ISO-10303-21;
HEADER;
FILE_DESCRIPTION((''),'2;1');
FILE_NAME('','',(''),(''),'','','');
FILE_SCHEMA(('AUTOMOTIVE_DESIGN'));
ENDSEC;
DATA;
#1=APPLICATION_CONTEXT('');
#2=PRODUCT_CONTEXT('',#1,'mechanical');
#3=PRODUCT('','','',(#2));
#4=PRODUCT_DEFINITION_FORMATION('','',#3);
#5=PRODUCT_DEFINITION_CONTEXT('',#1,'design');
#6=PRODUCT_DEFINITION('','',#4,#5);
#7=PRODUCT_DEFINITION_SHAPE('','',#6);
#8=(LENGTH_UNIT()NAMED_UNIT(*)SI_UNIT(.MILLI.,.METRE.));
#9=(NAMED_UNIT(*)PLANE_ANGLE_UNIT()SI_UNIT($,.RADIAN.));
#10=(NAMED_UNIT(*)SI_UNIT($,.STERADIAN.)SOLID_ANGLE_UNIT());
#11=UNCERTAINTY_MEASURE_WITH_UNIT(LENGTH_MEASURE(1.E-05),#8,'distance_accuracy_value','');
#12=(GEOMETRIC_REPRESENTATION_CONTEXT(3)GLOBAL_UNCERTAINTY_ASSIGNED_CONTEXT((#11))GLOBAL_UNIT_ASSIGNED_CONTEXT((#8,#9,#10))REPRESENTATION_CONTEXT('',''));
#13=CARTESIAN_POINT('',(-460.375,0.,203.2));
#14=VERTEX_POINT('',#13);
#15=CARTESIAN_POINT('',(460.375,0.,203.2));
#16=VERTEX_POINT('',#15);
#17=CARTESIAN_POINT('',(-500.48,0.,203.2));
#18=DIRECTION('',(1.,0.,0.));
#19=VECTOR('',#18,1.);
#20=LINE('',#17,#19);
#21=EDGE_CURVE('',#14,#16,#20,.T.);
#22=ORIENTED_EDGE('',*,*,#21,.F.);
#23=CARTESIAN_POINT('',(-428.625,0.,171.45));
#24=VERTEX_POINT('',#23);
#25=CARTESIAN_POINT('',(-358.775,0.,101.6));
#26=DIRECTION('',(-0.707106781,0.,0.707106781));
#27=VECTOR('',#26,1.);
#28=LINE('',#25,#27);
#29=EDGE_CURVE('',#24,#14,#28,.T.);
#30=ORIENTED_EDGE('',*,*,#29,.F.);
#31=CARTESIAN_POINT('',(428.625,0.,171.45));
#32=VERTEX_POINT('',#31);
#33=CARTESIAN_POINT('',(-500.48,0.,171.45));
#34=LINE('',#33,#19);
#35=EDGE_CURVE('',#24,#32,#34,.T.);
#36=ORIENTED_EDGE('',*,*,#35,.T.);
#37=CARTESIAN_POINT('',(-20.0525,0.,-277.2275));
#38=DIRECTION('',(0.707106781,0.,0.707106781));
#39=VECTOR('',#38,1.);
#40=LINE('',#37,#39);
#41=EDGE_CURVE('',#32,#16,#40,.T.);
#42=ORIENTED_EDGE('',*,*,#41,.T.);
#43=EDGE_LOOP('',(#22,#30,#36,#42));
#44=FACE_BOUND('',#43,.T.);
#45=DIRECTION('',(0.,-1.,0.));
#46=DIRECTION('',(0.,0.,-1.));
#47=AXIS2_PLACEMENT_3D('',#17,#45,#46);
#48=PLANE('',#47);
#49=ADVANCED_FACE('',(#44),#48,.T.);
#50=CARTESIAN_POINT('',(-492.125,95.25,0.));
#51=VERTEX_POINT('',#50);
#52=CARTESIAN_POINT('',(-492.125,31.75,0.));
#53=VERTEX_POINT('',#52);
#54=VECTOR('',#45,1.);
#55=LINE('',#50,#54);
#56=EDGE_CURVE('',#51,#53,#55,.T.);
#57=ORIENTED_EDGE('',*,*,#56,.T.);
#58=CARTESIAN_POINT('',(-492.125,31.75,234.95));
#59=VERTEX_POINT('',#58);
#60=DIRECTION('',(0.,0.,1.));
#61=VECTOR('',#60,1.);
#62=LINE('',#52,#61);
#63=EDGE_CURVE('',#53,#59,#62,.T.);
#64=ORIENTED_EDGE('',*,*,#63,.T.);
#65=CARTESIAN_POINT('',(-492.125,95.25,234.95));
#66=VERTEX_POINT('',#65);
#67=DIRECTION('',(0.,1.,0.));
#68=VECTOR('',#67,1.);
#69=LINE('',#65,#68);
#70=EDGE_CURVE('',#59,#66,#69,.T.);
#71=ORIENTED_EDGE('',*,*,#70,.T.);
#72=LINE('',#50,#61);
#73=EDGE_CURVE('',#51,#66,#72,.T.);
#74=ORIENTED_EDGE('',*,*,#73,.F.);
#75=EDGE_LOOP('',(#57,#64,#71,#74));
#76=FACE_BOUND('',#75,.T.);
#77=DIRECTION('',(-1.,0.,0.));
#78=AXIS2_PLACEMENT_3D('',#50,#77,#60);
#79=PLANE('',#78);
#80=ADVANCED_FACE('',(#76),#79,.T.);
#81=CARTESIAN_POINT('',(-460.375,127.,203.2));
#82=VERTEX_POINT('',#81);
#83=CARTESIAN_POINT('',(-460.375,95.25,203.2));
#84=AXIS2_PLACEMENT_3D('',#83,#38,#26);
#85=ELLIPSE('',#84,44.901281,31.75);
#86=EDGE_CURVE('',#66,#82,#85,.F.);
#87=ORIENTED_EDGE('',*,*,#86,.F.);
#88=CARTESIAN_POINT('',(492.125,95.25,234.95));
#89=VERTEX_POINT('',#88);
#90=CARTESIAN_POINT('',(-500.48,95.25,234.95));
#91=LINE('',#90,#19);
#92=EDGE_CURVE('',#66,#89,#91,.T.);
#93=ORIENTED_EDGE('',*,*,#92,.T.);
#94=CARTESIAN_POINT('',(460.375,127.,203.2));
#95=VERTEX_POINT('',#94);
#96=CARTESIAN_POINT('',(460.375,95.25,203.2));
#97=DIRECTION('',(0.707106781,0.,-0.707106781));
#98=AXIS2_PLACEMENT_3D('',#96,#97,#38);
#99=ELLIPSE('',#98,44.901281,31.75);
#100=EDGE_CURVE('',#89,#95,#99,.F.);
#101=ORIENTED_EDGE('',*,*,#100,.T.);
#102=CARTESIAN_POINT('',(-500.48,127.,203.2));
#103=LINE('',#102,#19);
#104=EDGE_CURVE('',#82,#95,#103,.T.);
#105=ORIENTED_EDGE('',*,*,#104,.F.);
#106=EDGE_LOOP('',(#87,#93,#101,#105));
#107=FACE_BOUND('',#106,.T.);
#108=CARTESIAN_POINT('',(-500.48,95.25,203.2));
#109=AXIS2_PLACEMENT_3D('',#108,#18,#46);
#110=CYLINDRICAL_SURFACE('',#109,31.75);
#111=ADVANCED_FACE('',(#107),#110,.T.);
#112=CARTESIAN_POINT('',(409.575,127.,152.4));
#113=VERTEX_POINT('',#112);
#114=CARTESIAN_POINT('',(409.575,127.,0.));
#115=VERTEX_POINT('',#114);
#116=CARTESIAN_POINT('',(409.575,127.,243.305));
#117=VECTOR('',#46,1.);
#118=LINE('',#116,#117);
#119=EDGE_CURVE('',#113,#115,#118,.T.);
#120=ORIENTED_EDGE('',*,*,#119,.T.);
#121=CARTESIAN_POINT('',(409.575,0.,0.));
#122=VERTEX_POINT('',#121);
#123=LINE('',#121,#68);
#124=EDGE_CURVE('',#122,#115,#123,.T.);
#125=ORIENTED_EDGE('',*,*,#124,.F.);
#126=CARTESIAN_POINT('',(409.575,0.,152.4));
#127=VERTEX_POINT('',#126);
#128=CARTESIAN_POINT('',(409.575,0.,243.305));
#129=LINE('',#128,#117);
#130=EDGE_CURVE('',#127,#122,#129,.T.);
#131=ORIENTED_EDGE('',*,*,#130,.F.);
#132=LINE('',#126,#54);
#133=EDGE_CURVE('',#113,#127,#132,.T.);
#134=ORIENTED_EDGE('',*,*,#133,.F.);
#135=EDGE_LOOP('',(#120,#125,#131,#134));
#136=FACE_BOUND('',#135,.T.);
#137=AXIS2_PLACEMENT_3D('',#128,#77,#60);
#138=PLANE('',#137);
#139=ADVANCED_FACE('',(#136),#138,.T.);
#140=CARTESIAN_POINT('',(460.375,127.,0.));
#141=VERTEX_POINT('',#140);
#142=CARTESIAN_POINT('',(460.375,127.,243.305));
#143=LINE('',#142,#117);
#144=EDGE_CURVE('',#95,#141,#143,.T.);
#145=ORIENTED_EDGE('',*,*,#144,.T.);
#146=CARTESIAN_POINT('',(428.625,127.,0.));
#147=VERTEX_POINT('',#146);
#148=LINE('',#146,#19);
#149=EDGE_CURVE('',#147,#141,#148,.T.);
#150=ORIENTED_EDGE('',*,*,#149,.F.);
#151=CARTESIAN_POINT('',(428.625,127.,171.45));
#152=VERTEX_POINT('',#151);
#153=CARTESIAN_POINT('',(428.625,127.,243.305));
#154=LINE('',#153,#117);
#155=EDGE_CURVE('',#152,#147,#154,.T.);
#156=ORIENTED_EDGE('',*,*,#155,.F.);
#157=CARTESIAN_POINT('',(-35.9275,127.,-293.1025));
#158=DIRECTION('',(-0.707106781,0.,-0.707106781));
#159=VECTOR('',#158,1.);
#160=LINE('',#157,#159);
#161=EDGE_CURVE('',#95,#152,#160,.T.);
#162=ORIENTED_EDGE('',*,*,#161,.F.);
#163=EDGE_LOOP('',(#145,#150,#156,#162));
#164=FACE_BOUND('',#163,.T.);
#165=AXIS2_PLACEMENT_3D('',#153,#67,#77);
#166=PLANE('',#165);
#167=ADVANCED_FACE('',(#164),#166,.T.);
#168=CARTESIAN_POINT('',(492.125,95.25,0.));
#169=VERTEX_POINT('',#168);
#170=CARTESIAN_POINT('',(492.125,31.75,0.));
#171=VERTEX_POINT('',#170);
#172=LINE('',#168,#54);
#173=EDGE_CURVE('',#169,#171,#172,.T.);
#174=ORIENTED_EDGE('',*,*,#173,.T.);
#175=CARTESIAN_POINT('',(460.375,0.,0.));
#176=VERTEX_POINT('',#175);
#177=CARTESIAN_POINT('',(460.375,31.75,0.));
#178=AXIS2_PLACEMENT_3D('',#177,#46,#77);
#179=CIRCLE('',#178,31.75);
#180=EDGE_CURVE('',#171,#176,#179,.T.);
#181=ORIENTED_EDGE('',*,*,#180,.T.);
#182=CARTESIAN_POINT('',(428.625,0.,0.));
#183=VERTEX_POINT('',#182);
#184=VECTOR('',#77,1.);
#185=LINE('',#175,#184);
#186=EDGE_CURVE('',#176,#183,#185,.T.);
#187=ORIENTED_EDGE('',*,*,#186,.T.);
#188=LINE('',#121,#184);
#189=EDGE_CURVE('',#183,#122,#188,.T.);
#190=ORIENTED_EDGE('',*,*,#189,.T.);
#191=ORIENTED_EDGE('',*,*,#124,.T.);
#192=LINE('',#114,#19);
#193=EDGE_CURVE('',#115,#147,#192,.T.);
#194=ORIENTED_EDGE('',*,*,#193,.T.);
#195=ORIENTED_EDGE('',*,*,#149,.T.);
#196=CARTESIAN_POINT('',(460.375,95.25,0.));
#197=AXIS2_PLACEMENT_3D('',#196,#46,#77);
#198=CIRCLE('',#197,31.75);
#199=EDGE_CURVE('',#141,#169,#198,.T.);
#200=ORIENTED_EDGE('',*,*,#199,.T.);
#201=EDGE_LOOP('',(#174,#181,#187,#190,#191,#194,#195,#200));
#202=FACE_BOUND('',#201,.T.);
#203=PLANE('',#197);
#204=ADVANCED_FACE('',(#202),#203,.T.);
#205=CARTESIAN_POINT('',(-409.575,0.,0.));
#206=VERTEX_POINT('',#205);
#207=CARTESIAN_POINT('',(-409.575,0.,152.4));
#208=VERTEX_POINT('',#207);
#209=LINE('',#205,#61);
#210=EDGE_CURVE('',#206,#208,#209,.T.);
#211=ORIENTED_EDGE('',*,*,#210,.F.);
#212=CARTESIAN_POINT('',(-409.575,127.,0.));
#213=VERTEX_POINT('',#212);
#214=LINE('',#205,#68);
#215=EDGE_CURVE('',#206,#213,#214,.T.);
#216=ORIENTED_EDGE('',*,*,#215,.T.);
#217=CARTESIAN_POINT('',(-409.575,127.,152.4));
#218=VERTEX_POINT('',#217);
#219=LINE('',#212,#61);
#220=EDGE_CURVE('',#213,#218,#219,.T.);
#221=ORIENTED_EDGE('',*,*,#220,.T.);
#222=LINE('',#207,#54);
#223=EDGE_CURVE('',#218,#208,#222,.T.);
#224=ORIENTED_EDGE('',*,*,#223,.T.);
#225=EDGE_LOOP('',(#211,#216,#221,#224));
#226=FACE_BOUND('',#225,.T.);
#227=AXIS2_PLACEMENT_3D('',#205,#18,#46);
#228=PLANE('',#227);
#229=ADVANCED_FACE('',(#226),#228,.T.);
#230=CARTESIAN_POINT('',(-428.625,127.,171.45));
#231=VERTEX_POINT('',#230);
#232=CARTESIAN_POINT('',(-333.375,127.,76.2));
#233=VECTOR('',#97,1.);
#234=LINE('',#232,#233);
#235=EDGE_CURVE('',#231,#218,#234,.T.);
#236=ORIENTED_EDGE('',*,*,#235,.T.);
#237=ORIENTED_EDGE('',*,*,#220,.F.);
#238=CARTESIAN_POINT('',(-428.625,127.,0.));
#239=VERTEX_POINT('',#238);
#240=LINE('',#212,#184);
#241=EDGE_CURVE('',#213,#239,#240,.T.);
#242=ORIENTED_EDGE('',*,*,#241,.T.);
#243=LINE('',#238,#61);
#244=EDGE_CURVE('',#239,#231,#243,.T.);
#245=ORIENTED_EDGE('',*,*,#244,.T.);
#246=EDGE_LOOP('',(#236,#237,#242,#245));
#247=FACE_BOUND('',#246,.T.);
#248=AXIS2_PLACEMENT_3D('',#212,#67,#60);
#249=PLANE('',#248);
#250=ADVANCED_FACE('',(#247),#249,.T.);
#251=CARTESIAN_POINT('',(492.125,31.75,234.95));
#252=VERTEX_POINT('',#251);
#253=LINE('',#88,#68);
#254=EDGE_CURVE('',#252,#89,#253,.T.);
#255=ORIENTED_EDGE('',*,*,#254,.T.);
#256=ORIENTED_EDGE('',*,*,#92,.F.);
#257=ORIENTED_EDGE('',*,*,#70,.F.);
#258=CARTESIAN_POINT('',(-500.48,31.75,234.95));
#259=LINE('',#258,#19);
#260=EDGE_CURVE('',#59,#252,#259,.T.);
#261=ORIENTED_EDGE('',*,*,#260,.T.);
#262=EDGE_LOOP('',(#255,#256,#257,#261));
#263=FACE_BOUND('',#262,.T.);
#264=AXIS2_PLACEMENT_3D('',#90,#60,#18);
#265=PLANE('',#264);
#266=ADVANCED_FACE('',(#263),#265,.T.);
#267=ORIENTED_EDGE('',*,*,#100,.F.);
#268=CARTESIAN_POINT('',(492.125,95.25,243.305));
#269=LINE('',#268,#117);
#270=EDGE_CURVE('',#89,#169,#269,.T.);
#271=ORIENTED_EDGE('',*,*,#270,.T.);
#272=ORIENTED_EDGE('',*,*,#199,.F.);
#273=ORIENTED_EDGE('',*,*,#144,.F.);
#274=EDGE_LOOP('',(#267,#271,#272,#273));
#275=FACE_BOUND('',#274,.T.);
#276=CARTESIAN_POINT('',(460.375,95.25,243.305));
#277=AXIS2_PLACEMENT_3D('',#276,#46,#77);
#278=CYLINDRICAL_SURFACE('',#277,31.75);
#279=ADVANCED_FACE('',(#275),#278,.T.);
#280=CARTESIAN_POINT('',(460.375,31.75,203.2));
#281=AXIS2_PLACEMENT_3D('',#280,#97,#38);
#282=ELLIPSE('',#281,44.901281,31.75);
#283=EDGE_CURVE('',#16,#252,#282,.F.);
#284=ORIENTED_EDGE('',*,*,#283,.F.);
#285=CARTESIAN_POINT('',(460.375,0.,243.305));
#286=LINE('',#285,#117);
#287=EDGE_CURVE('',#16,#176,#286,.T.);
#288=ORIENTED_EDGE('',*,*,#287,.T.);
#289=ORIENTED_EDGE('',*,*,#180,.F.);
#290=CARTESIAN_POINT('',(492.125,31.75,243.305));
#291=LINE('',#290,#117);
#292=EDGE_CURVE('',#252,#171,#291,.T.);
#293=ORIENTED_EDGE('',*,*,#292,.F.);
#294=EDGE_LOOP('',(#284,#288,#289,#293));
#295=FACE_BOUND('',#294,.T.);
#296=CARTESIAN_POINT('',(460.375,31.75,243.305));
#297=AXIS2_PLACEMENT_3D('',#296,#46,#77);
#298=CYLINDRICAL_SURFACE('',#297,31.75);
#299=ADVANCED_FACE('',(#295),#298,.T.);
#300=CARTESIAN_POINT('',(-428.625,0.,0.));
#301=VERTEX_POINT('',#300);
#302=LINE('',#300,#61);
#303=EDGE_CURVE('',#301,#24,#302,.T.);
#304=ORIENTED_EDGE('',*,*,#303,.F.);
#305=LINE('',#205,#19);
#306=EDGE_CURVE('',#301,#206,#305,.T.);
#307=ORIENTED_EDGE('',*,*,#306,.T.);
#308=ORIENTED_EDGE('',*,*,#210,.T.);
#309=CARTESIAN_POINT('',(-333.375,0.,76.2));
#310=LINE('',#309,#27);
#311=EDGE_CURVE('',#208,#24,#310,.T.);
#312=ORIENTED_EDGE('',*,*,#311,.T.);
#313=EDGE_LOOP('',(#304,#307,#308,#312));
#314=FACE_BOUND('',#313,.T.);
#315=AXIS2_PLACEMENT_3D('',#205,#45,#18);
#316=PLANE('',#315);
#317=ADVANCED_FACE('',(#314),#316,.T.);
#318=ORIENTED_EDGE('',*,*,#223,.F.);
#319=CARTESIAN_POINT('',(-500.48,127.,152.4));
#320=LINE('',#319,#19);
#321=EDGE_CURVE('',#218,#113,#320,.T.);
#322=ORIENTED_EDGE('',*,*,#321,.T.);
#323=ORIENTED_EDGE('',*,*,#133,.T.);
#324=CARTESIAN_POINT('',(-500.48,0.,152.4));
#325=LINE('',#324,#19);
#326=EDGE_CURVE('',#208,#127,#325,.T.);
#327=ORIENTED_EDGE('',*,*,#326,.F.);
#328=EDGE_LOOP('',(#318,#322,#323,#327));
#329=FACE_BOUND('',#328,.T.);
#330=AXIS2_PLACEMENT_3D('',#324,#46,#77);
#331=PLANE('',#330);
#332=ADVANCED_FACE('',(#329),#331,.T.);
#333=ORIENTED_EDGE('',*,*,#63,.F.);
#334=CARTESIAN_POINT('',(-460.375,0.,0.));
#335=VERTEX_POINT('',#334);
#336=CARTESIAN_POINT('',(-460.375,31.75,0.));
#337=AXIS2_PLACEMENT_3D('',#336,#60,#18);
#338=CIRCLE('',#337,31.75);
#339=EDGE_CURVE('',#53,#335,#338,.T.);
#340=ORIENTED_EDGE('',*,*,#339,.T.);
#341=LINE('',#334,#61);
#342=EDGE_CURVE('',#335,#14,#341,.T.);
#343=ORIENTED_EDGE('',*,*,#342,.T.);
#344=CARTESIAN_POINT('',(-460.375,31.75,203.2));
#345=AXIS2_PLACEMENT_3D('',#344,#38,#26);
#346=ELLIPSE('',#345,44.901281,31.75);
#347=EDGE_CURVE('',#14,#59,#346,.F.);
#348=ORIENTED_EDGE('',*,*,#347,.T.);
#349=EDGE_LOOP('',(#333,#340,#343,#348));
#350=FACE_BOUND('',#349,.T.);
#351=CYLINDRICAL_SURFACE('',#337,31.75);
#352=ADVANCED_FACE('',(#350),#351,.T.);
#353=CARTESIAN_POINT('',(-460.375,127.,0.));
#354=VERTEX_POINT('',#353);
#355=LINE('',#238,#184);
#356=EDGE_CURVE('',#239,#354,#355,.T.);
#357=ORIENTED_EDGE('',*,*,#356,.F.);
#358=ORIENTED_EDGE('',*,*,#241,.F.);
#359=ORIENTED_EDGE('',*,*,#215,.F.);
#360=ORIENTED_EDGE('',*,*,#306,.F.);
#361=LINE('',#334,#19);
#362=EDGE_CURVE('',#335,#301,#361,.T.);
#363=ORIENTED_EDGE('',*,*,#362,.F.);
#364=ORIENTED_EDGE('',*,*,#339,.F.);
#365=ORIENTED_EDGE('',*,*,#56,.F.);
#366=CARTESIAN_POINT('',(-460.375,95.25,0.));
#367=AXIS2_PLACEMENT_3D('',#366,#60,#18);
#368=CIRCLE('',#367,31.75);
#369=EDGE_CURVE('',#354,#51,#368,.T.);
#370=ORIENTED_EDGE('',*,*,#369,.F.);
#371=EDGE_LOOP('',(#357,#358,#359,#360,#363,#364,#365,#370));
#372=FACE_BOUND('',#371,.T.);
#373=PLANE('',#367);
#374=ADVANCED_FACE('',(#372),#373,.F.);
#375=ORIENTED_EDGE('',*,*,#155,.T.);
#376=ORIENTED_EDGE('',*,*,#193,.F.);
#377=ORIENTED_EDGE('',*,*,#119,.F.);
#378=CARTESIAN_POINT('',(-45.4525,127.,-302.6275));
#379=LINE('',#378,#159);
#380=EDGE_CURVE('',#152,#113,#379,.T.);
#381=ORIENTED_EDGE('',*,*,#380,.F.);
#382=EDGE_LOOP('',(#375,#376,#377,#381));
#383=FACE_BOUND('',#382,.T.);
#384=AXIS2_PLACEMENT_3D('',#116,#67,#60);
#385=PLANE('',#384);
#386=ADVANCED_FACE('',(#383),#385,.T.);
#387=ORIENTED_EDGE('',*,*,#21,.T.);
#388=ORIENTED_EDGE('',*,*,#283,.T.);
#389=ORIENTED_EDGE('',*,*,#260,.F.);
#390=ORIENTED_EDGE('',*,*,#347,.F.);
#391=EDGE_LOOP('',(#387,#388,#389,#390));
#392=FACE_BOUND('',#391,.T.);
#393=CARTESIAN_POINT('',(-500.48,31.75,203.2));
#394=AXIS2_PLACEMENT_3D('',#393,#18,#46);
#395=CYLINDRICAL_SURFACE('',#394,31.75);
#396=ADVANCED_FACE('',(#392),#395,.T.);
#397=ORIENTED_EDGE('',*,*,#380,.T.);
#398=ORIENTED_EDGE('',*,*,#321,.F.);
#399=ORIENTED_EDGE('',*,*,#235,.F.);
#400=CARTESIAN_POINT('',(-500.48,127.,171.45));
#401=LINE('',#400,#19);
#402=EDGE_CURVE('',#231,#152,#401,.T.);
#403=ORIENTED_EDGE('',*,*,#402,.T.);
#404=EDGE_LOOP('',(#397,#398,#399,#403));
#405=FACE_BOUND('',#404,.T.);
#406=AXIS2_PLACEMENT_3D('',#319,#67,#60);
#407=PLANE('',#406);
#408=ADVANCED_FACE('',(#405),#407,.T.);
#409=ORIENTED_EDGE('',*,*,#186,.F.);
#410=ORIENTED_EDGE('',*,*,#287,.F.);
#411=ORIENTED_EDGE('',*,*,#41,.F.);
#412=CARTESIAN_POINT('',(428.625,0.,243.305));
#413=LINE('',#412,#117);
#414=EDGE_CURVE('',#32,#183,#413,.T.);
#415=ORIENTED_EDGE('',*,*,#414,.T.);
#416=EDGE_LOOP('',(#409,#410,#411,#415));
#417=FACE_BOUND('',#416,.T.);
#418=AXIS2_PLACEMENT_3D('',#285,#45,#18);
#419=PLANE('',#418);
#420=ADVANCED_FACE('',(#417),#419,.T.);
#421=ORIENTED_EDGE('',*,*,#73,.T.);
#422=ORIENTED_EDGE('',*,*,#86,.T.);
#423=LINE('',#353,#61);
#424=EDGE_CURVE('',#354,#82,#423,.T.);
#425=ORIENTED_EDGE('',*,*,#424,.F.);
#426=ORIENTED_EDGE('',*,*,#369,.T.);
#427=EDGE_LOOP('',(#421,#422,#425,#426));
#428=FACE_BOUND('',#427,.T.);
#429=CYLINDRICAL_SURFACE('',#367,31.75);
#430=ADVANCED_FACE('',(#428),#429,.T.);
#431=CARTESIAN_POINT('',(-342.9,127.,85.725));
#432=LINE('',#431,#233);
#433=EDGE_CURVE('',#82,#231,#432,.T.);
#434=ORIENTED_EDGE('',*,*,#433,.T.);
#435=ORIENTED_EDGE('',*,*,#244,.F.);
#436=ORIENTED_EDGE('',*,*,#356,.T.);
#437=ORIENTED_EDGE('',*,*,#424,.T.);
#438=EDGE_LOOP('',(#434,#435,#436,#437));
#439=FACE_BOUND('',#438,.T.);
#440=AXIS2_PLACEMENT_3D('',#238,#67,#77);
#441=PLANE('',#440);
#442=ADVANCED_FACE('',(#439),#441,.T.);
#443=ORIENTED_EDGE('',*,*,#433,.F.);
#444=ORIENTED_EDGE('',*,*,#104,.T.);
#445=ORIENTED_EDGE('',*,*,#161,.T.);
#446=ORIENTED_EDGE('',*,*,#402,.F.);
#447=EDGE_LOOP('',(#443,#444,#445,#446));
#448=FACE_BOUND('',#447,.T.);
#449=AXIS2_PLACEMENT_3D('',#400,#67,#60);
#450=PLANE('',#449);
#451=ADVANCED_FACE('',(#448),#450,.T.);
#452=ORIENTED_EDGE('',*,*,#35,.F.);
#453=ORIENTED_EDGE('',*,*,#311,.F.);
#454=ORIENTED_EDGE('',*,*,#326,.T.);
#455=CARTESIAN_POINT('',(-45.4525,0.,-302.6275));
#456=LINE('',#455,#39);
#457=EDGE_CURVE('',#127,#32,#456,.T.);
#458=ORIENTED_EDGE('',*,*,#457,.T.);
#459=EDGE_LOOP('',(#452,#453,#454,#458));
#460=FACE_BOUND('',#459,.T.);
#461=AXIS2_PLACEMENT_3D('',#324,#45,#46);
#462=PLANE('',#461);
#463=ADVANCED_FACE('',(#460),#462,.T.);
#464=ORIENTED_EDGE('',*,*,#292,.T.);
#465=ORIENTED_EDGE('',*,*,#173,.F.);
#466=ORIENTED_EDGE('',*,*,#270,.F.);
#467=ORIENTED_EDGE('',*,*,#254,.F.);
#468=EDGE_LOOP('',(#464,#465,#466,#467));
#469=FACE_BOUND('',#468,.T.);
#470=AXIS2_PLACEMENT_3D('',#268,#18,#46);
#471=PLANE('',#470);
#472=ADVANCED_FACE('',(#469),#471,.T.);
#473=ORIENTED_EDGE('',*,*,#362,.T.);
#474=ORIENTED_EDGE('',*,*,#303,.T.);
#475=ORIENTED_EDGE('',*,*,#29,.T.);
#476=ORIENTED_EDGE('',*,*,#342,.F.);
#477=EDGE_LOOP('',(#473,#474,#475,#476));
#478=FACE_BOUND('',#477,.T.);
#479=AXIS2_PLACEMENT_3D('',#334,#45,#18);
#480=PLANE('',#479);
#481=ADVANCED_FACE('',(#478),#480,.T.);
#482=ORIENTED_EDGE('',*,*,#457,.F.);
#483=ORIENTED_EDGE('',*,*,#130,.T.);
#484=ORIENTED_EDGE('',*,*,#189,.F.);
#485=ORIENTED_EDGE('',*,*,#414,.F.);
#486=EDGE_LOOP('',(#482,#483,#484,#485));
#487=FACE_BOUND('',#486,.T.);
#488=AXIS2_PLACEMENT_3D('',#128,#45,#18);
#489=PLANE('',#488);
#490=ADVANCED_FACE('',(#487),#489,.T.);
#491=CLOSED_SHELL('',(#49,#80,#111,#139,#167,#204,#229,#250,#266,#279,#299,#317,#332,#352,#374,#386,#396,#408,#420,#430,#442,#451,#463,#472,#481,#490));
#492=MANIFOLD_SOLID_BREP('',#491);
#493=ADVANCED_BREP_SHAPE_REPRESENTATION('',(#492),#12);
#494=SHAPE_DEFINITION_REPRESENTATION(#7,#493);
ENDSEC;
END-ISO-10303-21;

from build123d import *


with BuildPart() as part:
    # Sweep1: sweep along a path in Sketch2
    with BuildLine(Plane(origin=(0, 0, 0), x_dir=(1, 0, 0), z_dir=(0, 1, 0))) as sweep1_path:
        Line((-409.575, 0), (-409.575, -152.4))
        Line((-409.575, -152.4), (409.575, -152.4))
        Line((409.575, -152.4), (409.575, 0))
    # Sketch1 → Sweep1 (sweep)
    with BuildSketch(Plane.XY):
        with BuildLine():
            Line((-428.625, 127), (-460.375, 127))
            ThreePointArc((-460.375, 127), (-482.825640303, 117.700640303), (-492.125, 95.25))
            Line((-492.125, 95.25), (-492.125, 31.75))
            ThreePointArc((-492.125, 31.75), (-482.825640303, 9.299359697), (-460.375, 0))
            Line((-460.375, 0), (-428.625, 0))
            Line((-428.625, 0), (-409.575, 0))
            Line((-409.575, 0), (-409.575, 127))
            Line((-409.575, 127), (-428.625, 127))
        make_face()
    sweep(path=sweep1_path.line, transition=Transition.RIGHT)


solid = part.part
